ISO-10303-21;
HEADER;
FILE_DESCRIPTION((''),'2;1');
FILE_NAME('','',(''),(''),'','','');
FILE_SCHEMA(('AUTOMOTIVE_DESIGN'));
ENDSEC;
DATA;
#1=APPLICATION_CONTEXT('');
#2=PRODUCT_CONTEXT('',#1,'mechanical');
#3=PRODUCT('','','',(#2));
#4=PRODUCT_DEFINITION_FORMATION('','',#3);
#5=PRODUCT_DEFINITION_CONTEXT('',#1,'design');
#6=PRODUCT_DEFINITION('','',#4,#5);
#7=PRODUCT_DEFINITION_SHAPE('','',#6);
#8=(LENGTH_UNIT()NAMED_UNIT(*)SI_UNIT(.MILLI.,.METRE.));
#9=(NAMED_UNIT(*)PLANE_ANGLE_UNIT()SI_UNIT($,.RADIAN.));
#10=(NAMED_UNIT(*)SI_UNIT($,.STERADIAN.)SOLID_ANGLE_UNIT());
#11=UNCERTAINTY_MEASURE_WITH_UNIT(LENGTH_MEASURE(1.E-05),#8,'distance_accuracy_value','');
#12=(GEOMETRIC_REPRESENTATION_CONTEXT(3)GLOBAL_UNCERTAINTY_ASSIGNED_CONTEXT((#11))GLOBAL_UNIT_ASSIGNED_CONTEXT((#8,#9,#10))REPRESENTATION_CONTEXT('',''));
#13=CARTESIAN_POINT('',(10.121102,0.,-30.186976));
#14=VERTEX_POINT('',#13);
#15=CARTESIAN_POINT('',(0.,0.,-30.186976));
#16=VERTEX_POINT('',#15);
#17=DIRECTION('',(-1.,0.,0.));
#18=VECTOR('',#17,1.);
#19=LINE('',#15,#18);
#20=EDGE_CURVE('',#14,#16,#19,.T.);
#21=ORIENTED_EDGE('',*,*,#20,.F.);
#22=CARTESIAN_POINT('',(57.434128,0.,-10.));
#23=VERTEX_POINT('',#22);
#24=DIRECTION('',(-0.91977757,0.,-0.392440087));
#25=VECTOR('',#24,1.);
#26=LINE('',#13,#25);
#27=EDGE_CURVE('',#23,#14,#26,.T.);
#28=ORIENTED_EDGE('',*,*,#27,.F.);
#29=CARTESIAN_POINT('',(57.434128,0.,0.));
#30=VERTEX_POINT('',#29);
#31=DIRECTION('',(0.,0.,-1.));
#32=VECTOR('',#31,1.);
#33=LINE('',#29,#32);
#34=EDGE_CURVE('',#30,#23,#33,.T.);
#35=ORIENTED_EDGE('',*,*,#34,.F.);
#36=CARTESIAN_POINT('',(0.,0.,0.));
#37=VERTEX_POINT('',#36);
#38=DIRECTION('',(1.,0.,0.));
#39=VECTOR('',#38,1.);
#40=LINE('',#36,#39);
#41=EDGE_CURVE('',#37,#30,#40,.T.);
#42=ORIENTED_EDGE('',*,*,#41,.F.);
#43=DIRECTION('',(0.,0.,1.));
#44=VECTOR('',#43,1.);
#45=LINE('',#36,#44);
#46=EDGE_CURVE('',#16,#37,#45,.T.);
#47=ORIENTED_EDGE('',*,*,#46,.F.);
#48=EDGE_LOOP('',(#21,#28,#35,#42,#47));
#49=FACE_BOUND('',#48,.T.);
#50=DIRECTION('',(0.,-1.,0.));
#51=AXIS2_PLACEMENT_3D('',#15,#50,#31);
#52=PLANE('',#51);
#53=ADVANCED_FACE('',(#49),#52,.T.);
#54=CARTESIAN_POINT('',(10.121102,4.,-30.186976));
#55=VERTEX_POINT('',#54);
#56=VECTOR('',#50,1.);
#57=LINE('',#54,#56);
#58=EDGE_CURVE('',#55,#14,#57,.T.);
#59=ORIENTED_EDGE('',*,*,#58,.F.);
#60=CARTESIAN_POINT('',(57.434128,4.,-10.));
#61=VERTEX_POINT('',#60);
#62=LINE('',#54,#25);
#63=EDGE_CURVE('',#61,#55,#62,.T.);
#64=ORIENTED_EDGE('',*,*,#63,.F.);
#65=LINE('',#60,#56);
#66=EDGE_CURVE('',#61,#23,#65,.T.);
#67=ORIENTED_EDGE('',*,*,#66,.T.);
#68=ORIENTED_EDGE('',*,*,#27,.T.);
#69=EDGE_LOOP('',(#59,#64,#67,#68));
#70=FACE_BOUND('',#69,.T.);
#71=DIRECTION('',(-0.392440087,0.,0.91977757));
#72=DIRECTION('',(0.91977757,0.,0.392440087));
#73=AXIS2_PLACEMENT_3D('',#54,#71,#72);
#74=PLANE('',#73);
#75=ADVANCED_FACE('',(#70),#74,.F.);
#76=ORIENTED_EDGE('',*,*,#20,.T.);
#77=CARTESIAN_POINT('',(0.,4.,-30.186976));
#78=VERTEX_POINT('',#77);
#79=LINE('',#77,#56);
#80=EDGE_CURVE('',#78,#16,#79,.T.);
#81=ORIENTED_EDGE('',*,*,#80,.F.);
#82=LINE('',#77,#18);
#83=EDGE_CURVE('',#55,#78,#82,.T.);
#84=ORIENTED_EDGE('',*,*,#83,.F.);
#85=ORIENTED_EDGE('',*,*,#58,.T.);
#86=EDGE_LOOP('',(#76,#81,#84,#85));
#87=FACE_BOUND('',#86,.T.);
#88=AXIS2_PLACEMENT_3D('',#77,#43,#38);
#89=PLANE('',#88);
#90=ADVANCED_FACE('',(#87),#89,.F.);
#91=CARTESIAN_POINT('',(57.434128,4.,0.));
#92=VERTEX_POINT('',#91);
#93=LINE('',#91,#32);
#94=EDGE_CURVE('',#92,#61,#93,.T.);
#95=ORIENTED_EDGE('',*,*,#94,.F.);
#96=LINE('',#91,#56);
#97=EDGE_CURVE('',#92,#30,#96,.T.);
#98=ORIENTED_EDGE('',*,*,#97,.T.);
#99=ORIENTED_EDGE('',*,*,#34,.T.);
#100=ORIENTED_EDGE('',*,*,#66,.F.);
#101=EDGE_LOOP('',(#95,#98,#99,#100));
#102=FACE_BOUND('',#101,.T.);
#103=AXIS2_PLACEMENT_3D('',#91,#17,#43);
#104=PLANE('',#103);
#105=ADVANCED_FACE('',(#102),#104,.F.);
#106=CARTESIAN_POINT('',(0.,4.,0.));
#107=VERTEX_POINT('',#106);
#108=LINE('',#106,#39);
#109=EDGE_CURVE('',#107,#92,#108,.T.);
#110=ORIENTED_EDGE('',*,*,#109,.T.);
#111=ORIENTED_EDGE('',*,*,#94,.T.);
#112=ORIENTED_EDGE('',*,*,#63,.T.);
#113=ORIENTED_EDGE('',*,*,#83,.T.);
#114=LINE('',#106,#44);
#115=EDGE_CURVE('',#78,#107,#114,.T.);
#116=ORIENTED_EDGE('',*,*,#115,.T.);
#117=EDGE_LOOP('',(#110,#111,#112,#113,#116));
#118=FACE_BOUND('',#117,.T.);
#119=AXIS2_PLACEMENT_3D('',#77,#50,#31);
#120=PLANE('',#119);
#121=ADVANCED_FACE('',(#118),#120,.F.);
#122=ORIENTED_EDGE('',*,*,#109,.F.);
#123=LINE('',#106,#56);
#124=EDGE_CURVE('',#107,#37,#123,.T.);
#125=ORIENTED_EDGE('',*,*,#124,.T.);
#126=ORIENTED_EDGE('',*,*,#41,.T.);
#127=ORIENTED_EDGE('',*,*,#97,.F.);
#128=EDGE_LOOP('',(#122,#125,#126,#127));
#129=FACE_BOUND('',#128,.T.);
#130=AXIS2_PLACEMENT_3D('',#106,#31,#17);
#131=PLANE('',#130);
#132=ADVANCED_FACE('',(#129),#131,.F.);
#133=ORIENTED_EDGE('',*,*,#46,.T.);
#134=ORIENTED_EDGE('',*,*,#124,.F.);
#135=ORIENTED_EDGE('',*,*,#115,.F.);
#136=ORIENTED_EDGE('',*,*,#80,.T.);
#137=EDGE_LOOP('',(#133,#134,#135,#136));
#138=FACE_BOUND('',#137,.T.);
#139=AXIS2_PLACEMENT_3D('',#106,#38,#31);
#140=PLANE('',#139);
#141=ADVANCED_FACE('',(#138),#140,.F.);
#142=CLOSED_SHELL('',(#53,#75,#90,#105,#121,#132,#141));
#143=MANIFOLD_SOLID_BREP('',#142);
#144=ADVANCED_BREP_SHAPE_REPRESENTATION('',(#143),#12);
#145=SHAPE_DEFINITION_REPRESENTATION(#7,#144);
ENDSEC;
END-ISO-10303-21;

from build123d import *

# Parameters (mm, degrees)
EXTRUDE_1_DEPTH = 4


with BuildPart() as part:
    # Эскиз1 → Вытянуть1 (new body)
    with BuildSketch(Plane(origin=(0, 0, 0), x_dir=(1, 0, 0), z_dir=(0, 1, 0))):
        Polygon((10.12110211, 30.186976108), (57.434127614, 9.999999974), (57.434127614, 0), (0, 0), (0, 30.186976108), align=None)
    extrude(amount=EXTRUDE_1_DEPTH)


solid = part.part
